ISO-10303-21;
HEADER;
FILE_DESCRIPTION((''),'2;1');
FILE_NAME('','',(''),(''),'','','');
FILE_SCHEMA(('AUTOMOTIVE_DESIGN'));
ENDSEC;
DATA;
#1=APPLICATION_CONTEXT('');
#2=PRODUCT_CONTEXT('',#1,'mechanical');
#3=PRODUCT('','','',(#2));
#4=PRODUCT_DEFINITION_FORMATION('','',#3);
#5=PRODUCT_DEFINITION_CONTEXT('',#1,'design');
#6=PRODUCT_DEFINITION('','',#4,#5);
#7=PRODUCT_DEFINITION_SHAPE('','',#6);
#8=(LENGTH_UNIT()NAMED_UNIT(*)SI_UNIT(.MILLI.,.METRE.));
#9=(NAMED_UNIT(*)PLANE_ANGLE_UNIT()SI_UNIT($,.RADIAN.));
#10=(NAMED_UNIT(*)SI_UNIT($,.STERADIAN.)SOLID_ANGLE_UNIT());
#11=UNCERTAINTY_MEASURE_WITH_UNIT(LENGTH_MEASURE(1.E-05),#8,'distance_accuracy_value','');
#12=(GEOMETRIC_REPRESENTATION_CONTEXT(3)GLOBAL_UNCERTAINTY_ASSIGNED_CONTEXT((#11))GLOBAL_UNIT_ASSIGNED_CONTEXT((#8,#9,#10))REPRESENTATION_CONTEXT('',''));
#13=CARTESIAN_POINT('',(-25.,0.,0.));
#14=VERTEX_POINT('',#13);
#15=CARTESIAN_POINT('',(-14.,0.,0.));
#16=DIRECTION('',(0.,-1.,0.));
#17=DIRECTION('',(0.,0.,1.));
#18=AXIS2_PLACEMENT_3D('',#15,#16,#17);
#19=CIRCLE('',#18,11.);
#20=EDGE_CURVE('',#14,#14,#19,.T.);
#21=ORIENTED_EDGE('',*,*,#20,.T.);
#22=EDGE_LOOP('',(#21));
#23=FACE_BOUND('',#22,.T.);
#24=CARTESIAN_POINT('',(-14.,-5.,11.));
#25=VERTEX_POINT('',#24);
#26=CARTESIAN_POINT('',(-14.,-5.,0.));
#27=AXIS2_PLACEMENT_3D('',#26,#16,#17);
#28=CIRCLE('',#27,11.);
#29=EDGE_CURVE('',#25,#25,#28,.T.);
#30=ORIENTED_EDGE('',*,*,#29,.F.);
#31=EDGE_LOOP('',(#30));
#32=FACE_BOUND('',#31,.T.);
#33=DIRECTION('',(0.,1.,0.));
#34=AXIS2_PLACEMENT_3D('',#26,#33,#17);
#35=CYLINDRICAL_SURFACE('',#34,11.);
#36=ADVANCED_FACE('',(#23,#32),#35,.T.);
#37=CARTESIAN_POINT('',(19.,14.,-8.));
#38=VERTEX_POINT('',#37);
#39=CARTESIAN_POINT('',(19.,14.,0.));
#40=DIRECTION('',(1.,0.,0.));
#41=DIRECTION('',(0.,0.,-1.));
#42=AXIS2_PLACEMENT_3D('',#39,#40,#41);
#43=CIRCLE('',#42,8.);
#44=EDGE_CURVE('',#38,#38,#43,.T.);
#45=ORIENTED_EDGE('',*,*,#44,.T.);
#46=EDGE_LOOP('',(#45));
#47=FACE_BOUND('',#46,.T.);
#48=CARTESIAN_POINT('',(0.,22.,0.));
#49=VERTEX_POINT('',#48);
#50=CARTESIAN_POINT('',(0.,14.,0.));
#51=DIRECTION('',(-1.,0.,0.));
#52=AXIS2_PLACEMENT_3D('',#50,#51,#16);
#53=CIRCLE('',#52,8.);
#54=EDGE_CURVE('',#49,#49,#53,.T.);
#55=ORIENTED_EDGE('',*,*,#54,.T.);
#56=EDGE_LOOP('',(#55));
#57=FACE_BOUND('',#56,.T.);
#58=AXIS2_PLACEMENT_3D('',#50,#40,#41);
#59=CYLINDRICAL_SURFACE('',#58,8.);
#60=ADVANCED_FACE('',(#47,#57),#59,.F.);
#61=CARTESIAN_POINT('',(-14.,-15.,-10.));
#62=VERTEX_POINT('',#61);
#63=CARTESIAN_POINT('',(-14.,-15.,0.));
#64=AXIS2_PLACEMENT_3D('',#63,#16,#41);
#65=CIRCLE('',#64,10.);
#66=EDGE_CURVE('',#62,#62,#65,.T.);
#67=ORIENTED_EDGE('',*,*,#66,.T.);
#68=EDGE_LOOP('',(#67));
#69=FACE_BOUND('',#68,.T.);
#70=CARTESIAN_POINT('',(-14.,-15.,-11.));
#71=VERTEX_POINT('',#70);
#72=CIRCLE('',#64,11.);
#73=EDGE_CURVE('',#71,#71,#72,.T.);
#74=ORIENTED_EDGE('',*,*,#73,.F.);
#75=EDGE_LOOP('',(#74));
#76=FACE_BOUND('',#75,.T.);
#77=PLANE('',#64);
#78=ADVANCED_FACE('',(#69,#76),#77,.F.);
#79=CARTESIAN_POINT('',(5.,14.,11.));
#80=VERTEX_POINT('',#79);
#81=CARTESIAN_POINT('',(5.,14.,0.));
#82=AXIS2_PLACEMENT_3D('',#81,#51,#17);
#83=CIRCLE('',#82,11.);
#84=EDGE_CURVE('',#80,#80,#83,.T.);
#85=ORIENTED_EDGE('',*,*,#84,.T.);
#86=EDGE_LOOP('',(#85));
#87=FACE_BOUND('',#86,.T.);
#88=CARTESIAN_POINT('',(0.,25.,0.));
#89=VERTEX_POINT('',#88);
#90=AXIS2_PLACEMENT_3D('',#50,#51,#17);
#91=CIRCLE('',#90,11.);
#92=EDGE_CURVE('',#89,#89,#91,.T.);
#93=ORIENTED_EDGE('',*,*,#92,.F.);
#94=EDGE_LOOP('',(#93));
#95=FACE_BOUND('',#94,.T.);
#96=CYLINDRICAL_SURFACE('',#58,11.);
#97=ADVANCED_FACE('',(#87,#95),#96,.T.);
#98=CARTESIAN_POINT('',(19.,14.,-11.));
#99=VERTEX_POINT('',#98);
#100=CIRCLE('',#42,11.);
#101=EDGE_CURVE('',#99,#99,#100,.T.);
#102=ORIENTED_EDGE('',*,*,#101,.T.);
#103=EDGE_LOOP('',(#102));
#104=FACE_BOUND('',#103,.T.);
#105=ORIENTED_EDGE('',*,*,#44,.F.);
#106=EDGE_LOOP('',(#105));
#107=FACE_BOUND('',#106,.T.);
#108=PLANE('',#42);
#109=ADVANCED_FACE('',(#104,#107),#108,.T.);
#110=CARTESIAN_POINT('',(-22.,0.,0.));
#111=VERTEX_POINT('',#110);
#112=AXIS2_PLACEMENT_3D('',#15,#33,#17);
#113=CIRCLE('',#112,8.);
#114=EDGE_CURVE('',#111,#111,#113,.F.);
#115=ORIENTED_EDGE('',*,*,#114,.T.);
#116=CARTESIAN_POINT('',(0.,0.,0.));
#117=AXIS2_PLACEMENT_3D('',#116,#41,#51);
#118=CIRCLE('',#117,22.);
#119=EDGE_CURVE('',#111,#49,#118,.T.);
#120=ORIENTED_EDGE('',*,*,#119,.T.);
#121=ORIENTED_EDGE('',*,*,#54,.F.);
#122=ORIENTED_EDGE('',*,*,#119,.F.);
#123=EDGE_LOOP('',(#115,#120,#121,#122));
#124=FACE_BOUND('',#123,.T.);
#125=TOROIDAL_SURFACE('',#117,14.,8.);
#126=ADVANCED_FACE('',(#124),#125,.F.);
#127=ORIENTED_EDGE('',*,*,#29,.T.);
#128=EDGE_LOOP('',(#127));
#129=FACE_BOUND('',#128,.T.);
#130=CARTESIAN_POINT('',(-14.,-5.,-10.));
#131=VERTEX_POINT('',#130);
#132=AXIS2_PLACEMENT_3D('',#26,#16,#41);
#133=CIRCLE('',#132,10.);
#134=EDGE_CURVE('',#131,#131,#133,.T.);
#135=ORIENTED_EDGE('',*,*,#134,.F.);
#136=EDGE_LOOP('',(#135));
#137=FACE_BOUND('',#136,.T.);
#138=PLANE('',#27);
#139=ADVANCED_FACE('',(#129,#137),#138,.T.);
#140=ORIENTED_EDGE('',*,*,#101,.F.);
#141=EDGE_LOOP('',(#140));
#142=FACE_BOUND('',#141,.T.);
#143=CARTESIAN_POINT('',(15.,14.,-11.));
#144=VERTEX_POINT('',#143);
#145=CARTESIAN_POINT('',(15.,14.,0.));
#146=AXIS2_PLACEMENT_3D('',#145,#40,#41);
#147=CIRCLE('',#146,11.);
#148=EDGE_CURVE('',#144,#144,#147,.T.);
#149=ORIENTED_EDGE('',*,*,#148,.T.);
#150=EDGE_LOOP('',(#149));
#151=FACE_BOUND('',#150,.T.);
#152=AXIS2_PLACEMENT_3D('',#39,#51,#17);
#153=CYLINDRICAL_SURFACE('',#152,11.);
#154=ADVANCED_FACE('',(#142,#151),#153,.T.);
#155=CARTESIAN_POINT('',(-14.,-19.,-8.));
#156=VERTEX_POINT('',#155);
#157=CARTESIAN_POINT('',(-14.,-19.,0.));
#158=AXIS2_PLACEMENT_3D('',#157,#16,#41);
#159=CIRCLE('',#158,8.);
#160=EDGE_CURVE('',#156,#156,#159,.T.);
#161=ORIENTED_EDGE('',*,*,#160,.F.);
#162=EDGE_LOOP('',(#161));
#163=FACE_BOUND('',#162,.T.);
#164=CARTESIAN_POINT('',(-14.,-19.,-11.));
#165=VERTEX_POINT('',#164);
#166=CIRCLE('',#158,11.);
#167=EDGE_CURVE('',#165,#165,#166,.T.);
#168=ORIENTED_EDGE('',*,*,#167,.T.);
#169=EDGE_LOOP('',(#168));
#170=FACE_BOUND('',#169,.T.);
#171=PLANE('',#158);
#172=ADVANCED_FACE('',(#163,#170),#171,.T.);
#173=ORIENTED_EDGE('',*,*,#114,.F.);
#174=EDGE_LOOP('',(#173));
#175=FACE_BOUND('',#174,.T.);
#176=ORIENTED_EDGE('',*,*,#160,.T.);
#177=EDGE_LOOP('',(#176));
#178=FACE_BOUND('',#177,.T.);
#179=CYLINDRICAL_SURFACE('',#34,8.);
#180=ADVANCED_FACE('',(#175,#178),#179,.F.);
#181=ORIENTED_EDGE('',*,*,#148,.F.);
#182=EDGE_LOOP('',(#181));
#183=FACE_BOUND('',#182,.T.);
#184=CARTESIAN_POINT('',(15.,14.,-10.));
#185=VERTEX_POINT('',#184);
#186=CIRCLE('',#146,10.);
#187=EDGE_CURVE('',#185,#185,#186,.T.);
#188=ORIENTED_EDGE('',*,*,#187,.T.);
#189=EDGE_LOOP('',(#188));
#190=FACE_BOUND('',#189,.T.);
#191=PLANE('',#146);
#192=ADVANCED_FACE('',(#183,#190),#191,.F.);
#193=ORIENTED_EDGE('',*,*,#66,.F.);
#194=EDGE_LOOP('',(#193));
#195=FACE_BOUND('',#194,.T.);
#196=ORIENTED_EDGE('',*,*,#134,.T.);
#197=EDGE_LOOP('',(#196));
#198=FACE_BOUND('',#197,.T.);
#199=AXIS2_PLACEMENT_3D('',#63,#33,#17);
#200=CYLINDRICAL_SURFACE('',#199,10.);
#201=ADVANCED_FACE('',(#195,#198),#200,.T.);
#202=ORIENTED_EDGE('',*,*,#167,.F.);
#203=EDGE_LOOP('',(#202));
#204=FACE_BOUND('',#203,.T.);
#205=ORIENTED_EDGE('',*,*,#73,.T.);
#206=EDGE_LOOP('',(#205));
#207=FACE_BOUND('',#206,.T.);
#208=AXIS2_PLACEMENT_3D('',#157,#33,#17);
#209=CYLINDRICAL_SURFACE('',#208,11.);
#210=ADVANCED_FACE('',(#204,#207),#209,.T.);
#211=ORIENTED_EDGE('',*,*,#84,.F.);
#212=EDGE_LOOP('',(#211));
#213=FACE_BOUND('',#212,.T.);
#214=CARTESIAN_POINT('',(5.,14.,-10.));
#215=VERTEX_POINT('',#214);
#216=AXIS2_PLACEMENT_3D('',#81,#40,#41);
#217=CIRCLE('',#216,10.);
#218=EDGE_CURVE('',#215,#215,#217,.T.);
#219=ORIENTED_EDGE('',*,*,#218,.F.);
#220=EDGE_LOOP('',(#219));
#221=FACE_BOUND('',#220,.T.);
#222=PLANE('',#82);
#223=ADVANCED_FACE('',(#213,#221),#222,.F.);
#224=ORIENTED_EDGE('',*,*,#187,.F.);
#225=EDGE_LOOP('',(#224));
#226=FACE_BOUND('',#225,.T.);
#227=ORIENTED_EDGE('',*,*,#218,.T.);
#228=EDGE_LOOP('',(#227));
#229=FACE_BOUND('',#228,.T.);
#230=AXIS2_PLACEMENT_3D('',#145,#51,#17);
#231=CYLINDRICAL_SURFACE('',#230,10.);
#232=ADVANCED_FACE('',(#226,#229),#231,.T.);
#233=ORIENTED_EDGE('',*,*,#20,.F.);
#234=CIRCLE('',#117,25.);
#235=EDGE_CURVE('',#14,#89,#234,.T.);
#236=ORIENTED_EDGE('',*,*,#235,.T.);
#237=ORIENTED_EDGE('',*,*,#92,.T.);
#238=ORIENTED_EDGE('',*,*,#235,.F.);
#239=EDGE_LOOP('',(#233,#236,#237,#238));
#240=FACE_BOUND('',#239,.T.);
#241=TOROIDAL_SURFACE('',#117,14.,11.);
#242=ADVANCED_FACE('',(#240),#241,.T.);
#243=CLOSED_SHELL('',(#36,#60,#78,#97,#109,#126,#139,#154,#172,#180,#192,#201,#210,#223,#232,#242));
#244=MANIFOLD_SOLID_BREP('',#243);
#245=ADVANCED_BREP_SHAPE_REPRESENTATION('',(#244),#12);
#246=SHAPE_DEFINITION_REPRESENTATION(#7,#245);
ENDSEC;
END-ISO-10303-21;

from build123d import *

# Parameters (mm, degrees)
SWEEP_THIN1_PROFILE_R   = 11
SWEEP_THIN1_PROFILE_R_2 = 8
SKETCH70_R              = 10
SKETCH70_R_2            = 8
BOSS_EXTRUDE1_DEPTH     = 10
SKETCH71_R              = 11
SKETCH71_R_2            = 8
BOSS_EXTRUDE2_DEPTH     = 4
SKETCH72_R              = 10
SKETCH72_R_2            = 8
BOSS_EXTRUDE3_DEPTH     = 10
SKETCH73_R              = 11
SKETCH73_R_2            = 8
BOSS_EXTRUDE4_DEPTH     = 4


with BuildPart() as part:
    # Sweep-Thin1: sweep along a path in Sketch1
    with BuildLine(Plane.XY) as sweep_thin1_path:
        Line((-14, -5), (-14, 0))
        ThreePointArc((-14, 0), (-9.899495, 9.899495), (0, 14))
        Line((0, 14), (5, 14))
    # Sweep-Thin1 profile (on start of the path) → Sweep-Thin1 (sweep)
    with BuildSketch(Plane(origin=(-14, -5, 0), x_dir=(0, 0, 1), z_dir=(0, 1, 0))):
        Circle(SWEEP_THIN1_PROFILE_R)
        Circle(SWEEP_THIN1_PROFILE_R_2, mode=Mode.SUBTRACT)
    sweep(path=sweep_thin1_path.line)

    # Sketch70 → Boss-Extrude1 (add)
    with BuildSketch(Plane.XZ.offset(5)):
        with Locations(Location((-14, 0, 0), (0, 0, 270))):
            Circle(SKETCH70_R)
        with Locations(Location((-14, 0, 0), (0, 0, 180))):
            Circle(SKETCH70_R_2, mode=Mode.SUBTRACT)
    extrude(amount=BOSS_EXTRUDE1_DEPTH)

    # Sketch71 → Boss-Extrude2 (add)
    with BuildSketch(Plane.XZ.offset(15)):
        with Locations(Location((-14, 0, 0), (0, 0, 90))):
            Circle(SKETCH71_R)
        with Locations(Location((-14, 0, 0), (0, 0, 180))):
            Circle(SKETCH71_R_2, mode=Mode.SUBTRACT)
    extrude(amount=BOSS_EXTRUDE2_DEPTH)

    # Sketch72 → Boss-Extrude3 (add)
    with BuildSketch(Plane(origin=(5, 0, 0), x_dir=(0, 0, -1), z_dir=(1, 0, 0))):
        with Locations((0, 14)):
            Circle(SKETCH72_R)
        with Locations((0, 14)):
            Circle(SKETCH72_R_2, mode=Mode.SUBTRACT)
    extrude(amount=BOSS_EXTRUDE3_DEPTH)

    # Sketch73 → Boss-Extrude4 (add)
    with BuildSketch(Plane(origin=(15, 0, 0), x_dir=(0, 0, -1), z_dir=(1, 0, 0))):
        with Locations(Location((0, 14, 0), (0, 0, 90))):
            Circle(SKETCH73_R)
        with Locations((0, 14)):
            Circle(SKETCH73_R_2, mode=Mode.SUBTRACT)
    extrude(amount=BOSS_EXTRUDE4_DEPTH)


solid = part.part
